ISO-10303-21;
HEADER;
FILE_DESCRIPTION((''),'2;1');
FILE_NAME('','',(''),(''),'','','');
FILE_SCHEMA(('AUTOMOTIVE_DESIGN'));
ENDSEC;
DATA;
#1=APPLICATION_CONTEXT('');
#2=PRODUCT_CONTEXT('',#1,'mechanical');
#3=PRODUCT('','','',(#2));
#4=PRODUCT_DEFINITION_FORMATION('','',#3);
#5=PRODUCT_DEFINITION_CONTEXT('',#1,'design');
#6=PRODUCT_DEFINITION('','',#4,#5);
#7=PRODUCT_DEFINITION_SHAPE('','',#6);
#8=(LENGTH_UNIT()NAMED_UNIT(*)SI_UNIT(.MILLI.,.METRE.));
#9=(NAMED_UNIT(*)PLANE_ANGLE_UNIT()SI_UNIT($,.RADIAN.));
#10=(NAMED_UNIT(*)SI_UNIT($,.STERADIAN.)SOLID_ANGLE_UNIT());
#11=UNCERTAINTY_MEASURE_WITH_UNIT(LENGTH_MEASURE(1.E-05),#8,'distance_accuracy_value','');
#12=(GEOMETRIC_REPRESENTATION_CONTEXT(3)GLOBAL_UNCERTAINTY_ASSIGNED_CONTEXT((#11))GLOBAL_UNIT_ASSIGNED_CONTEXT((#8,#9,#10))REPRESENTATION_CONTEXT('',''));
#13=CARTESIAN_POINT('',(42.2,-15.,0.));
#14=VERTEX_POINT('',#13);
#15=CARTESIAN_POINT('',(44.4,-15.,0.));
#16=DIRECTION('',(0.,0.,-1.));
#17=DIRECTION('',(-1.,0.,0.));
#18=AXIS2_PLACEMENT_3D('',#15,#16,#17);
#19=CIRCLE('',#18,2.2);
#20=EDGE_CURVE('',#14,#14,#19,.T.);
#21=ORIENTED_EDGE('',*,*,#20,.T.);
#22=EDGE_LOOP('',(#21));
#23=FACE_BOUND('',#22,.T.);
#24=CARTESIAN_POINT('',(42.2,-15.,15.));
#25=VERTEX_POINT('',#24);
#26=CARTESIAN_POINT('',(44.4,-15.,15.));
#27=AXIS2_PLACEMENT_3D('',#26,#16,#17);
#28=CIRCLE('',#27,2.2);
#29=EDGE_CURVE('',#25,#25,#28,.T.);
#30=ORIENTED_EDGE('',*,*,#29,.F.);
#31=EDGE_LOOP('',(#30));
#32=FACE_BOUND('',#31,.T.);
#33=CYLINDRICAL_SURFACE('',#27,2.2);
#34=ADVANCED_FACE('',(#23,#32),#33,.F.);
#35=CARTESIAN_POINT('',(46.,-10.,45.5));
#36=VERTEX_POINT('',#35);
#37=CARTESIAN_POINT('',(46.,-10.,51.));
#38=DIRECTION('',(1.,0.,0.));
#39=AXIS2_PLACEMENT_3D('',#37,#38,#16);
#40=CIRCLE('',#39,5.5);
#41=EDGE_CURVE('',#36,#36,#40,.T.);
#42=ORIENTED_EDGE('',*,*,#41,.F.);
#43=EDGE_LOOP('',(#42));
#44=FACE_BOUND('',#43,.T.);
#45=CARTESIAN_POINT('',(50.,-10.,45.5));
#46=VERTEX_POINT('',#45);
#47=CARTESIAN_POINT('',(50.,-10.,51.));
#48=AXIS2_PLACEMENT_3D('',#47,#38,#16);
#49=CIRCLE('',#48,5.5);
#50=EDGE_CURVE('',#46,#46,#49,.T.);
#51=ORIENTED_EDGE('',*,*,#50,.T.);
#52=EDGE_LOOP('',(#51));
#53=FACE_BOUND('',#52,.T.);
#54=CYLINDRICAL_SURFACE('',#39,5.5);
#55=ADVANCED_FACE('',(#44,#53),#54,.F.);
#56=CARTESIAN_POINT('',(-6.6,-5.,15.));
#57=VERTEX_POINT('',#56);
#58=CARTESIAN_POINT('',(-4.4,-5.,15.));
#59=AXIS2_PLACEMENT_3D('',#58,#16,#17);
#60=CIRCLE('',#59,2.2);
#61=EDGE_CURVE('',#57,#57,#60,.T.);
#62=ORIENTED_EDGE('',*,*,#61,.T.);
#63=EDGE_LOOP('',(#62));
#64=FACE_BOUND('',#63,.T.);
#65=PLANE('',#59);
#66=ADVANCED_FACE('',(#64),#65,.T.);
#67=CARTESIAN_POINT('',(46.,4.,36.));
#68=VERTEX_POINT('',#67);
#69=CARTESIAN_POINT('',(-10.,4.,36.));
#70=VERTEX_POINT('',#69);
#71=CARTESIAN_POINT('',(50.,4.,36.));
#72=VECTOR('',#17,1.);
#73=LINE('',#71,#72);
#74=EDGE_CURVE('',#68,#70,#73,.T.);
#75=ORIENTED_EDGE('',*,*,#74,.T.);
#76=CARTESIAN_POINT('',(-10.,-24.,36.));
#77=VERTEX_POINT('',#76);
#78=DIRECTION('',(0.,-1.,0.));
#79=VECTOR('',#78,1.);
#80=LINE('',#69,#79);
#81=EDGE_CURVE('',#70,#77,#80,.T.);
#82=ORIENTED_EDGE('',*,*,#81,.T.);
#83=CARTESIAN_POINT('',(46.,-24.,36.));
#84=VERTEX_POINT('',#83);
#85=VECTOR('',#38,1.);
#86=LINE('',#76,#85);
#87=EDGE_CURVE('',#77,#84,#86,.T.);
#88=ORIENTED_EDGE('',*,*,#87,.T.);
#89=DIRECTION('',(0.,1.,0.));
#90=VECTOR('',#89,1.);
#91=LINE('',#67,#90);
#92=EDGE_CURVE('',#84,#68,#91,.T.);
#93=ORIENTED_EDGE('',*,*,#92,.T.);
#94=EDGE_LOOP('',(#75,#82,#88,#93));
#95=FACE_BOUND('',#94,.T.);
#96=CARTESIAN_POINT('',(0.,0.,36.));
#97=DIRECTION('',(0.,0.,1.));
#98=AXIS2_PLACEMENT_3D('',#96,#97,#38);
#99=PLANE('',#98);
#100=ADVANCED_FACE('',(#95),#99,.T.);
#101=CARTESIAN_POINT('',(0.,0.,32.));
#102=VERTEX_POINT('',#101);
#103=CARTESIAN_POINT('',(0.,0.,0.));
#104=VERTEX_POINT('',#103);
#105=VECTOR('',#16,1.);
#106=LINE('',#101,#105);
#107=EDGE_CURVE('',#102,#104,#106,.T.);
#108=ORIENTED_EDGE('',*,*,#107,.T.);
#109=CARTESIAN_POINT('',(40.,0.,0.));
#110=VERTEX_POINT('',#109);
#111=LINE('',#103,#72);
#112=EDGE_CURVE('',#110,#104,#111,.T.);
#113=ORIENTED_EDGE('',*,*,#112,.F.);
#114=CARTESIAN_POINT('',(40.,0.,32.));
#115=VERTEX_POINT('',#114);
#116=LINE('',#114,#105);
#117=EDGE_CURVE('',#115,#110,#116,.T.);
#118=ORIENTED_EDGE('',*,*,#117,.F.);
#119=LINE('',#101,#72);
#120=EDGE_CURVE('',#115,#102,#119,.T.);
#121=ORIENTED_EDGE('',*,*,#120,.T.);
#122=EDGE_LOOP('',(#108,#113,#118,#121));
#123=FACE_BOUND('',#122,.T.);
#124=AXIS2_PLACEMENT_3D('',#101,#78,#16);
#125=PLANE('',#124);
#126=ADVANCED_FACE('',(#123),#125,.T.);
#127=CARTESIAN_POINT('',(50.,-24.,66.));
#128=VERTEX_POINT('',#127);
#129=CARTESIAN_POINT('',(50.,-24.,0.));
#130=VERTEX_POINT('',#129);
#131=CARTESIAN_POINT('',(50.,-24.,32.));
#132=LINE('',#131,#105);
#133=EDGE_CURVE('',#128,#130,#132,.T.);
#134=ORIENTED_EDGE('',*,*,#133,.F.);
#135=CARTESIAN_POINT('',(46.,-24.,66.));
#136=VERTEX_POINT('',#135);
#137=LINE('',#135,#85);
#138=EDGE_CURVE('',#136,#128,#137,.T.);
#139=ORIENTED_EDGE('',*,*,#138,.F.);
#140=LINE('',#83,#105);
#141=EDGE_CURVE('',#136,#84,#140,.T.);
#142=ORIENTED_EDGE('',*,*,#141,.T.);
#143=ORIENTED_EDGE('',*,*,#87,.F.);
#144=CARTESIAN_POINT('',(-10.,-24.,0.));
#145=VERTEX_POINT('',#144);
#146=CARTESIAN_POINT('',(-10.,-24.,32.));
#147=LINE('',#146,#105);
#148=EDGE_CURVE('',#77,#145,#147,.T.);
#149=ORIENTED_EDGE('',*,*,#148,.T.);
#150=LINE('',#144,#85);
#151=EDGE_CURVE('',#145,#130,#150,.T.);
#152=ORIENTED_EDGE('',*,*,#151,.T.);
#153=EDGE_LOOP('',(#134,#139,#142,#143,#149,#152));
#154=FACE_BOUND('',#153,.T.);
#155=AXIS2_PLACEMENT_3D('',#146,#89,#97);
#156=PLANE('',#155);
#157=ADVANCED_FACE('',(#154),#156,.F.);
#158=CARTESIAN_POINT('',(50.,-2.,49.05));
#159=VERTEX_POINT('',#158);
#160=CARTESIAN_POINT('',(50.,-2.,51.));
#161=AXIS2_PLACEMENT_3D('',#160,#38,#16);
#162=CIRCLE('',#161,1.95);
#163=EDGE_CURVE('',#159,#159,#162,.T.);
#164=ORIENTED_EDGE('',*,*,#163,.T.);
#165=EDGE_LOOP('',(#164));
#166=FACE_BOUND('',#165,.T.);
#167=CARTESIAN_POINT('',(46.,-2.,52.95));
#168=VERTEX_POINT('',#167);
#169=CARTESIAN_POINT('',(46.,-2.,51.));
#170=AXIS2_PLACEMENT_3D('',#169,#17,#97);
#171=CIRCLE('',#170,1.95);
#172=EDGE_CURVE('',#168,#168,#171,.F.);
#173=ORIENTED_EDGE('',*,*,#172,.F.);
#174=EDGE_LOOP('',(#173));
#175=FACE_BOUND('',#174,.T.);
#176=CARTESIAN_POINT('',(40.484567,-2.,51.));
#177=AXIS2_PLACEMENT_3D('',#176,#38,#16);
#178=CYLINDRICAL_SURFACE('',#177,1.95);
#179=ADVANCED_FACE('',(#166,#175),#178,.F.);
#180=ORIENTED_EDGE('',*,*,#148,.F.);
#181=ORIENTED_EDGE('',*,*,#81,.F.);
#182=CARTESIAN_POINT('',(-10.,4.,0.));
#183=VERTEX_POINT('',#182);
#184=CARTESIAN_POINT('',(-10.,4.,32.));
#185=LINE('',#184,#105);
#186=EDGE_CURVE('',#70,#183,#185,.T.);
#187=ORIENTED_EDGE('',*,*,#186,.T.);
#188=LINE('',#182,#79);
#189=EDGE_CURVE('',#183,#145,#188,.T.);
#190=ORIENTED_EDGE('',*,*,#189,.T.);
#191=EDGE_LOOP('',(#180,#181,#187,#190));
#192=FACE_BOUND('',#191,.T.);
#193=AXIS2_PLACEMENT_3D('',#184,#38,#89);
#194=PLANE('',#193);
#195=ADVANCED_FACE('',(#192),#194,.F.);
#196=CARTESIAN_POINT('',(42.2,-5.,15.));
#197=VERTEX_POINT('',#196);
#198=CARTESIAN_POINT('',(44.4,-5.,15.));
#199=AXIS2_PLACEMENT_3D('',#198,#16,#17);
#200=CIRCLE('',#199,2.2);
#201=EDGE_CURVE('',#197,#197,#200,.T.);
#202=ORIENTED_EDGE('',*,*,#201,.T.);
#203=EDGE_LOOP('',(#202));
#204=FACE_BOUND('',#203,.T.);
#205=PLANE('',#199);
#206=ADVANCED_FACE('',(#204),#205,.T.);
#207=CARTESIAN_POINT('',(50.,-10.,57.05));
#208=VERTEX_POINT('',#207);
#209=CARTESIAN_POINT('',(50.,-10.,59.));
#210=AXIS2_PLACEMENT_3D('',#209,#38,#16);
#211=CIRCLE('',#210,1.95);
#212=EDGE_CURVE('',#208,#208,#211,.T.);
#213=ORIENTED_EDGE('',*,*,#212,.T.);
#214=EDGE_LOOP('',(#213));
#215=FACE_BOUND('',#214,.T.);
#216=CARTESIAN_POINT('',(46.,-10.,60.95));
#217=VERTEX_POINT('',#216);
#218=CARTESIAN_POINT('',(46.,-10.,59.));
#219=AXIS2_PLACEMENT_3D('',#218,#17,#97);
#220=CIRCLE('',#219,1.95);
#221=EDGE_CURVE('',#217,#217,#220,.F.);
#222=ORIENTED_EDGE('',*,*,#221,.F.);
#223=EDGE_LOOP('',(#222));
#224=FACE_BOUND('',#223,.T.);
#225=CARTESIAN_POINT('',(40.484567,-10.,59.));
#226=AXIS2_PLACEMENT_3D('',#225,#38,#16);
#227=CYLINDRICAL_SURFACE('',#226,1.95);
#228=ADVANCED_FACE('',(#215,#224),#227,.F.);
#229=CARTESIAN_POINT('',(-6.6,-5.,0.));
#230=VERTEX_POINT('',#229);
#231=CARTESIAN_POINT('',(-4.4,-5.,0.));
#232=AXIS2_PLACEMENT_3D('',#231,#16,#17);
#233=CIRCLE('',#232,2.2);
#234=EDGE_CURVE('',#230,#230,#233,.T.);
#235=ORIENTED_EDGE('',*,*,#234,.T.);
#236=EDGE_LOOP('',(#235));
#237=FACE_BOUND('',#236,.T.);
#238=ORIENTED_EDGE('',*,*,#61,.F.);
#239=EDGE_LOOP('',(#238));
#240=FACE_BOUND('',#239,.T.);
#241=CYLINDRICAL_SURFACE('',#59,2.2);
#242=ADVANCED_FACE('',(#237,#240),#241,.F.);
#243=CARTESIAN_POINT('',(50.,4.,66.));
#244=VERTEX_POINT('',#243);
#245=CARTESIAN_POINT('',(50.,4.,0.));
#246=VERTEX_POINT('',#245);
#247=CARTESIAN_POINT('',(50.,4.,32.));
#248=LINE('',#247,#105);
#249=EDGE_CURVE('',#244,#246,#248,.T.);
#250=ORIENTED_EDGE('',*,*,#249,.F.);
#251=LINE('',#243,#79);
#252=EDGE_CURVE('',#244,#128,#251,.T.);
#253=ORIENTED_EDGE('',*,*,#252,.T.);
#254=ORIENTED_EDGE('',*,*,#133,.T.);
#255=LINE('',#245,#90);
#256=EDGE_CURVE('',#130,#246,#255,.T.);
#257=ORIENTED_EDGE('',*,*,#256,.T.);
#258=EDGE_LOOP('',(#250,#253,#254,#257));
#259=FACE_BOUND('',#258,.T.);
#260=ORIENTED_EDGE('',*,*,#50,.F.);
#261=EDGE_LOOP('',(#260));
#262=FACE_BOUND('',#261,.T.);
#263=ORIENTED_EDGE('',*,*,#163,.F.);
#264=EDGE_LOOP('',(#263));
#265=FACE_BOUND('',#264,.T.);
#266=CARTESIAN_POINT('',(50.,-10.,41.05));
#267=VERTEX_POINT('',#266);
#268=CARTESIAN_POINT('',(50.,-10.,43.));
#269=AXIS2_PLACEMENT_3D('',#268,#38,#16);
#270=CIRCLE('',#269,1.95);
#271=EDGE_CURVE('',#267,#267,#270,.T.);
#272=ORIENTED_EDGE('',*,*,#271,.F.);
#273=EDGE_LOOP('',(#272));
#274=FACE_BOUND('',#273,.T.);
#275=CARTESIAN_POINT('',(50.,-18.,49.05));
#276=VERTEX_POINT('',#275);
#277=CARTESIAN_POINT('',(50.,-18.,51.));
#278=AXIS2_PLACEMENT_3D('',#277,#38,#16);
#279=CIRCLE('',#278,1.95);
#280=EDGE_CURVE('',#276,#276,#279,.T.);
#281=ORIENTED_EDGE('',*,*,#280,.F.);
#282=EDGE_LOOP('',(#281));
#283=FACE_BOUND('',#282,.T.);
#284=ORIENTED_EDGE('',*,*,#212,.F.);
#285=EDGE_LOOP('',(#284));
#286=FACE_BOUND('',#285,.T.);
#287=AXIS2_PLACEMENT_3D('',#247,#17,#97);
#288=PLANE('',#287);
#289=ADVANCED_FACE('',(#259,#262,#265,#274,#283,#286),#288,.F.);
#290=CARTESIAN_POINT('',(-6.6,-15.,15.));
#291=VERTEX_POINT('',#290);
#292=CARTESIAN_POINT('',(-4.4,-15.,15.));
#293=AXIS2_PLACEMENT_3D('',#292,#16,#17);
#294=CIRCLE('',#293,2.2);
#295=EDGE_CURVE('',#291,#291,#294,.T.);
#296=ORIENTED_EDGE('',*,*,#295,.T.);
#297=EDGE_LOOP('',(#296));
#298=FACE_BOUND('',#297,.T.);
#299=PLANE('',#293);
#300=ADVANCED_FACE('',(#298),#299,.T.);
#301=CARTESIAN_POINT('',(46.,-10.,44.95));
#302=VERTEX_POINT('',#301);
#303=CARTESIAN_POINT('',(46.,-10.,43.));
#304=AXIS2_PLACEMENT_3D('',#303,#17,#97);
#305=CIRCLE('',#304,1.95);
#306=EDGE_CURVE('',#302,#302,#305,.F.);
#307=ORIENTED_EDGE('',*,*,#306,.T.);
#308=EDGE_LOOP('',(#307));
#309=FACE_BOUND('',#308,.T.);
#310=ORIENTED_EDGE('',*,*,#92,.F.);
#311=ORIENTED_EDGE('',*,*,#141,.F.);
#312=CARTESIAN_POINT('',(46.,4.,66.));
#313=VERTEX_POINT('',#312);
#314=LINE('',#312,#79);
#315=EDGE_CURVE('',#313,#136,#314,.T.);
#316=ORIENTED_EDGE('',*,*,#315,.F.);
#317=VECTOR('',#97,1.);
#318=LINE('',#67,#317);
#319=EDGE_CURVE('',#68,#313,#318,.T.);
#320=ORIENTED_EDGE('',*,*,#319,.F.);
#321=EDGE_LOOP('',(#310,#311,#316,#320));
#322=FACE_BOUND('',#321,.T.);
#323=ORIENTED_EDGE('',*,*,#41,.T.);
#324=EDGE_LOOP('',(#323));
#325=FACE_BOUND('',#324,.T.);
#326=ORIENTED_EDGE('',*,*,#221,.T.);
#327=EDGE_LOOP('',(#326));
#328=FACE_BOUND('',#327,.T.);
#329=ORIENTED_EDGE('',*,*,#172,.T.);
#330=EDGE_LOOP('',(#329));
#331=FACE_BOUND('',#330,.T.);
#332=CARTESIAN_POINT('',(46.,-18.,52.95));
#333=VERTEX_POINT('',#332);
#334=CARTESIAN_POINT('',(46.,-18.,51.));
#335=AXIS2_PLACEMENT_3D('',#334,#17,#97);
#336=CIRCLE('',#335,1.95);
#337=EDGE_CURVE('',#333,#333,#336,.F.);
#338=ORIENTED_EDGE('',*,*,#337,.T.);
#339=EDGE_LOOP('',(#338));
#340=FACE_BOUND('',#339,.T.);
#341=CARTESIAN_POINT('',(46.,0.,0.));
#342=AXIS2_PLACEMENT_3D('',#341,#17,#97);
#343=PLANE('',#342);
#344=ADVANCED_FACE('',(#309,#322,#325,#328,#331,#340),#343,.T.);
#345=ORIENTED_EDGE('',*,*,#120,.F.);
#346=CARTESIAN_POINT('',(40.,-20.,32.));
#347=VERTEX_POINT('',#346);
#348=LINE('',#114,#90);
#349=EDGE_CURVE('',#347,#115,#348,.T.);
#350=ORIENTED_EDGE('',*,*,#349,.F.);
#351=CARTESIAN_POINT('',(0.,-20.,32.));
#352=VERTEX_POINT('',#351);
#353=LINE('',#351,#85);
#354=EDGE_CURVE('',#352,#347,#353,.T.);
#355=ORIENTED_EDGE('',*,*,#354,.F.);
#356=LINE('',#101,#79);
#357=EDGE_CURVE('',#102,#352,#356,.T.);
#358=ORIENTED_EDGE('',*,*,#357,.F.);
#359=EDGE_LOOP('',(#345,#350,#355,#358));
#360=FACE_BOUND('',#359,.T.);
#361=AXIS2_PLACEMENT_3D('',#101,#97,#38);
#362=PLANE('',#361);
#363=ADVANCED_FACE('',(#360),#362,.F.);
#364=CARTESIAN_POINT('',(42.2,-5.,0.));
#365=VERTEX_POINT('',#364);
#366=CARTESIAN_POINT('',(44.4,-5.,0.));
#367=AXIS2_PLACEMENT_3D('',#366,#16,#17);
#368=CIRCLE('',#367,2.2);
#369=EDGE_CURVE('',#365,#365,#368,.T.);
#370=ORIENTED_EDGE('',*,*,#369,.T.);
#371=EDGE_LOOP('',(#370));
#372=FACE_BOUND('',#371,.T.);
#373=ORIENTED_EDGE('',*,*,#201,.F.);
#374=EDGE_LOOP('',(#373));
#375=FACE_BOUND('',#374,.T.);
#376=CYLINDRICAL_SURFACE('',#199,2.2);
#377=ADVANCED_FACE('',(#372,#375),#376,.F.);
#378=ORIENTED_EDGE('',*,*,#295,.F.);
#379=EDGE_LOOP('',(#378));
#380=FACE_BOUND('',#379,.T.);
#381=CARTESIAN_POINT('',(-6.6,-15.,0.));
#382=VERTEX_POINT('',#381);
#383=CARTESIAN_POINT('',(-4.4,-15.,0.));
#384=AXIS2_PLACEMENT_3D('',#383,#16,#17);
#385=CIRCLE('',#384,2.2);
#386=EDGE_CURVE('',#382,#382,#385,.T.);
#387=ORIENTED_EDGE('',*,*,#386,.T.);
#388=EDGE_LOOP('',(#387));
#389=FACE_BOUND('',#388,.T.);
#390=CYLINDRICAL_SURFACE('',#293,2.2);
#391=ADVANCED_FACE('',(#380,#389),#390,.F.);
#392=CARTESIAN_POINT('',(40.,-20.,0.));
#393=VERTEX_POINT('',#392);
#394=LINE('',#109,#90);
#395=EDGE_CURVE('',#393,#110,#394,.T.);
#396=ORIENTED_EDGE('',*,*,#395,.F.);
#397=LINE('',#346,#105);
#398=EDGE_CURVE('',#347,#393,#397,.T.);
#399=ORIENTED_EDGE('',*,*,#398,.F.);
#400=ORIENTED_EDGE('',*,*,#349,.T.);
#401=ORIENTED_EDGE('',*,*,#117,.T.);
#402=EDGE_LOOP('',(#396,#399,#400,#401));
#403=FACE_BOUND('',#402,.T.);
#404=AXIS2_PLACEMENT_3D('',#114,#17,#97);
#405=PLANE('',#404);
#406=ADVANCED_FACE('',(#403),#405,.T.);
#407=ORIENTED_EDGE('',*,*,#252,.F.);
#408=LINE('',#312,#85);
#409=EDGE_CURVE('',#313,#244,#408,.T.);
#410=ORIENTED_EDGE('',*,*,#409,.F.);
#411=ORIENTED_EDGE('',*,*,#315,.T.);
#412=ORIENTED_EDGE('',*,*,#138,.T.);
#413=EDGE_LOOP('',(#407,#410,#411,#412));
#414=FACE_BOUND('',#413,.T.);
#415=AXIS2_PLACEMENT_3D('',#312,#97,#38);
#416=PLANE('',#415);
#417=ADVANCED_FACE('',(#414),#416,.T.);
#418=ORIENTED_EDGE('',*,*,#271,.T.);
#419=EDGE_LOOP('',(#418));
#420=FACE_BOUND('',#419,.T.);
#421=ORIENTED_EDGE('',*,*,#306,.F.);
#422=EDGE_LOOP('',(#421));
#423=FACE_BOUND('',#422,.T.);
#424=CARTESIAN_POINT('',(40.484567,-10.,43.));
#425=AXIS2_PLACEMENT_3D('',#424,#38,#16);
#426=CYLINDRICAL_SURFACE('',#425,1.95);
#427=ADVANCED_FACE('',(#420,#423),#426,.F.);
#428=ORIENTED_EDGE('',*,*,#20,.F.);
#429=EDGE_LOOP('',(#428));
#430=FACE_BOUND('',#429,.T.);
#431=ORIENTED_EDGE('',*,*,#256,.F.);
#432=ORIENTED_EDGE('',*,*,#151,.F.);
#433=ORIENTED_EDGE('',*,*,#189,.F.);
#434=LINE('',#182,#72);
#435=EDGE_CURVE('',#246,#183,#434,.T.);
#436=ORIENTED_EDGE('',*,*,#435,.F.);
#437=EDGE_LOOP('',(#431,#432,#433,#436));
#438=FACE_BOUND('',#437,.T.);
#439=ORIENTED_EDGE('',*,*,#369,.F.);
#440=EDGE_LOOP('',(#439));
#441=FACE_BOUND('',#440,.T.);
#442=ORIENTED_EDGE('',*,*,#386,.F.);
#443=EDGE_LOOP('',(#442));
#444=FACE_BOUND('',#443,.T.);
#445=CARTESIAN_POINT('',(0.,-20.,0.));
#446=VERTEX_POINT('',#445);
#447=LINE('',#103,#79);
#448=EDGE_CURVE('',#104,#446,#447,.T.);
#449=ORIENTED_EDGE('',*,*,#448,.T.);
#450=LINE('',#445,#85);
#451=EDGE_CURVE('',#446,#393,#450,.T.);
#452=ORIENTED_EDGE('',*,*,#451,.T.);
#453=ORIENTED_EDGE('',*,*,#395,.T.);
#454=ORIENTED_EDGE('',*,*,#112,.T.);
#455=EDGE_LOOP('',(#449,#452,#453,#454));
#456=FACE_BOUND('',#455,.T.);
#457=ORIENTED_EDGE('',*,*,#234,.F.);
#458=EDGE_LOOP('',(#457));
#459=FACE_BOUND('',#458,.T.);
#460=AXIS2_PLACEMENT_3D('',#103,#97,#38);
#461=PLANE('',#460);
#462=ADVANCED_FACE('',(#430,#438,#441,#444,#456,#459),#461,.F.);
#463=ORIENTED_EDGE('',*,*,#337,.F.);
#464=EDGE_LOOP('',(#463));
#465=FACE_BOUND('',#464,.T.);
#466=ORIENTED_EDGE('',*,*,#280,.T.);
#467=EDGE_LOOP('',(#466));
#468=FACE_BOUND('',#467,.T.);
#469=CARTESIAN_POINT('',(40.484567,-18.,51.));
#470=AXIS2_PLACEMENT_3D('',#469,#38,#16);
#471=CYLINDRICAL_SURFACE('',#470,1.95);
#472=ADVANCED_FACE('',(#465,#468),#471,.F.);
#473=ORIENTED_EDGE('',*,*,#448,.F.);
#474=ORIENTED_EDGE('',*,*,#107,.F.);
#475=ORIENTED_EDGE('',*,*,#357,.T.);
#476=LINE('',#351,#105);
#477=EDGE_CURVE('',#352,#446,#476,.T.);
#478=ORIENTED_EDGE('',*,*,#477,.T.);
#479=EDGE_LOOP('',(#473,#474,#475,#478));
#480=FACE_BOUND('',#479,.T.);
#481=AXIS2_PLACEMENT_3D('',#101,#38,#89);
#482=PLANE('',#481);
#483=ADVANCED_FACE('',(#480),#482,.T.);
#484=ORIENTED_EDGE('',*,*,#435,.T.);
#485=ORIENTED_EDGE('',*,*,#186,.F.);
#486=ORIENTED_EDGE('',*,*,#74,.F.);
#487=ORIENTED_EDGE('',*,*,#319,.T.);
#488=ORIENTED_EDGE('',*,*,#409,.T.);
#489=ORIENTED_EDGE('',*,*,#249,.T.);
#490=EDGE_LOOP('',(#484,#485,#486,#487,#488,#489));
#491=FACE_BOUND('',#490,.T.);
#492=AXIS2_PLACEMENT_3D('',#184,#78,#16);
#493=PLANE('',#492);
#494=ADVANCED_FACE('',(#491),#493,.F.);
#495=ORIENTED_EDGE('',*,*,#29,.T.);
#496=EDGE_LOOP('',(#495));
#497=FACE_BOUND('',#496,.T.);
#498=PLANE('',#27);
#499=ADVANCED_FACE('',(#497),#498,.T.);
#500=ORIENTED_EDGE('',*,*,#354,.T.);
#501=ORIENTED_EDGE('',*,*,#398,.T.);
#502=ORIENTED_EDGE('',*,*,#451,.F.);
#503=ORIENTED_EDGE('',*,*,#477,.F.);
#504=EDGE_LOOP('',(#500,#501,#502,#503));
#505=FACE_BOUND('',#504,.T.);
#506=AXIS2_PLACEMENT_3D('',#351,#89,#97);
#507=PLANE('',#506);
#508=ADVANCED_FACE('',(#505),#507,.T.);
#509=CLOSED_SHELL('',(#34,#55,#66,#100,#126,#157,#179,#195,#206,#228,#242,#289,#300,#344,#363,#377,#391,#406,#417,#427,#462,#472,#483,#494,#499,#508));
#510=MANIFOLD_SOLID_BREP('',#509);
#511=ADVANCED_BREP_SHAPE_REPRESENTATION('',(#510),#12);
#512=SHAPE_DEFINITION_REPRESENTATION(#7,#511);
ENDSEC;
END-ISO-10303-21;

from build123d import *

# Parameters (mm, degrees)
SKETCH1_W           = 60
SKETCH1_H           = 28
SKETCH1_W_2         = 40
SKETCH1_H_2         = 20
BOSS_EXTRUDE1_DEPTH = 32
SKETCH2_W           = 60
SKETCH2_H           = 28
BOSS_EXTRUDE2_DEPTH = 4
SKETCH3_W           = 30
SKETCH3_H           = 28
SKETCH3_R           = 5.5
BOSS_EXTRUDE3_DEPTH = 4
SKETCH4_R           = 1.95
CUT_EXTRUDE1_DEPTH  = 4
SKETCH5_R           = 2.2
CUT_EXTRUDE2_DEPTH  = 15


with BuildPart() as part:
    # Sketch1 → Boss-Extrude1 (new body)
    with BuildSketch(Plane.XY):
        with Locations((20, -10)):
            Rectangle(SKETCH1_W, SKETCH1_H)
        with Locations((20, -10)):
            Rectangle(SKETCH1_W_2, SKETCH1_H_2, mode=Mode.SUBTRACT)
    extrude(amount=BOSS_EXTRUDE1_DEPTH)

    # Sketch2 → Boss-Extrude2 (add)
    with BuildSketch(Plane.XY.offset(32)):
        with Locations((20, -10)):
            Rectangle(SKETCH2_W, SKETCH2_H)
    extrude(amount=BOSS_EXTRUDE2_DEPTH)

    # Sketch3 → Boss-Extrude3 (add)
    with BuildSketch(Plane(origin=(50, 0, 0), x_dir=(0, 0, -1), z_dir=(1, 0, 0))):
        with Locations((-51, -10)):
            Rectangle(SKETCH3_W, SKETCH3_H)
        with Locations((-51, -10)):
            Circle(SKETCH3_R, mode=Mode.SUBTRACT)
    extrude(amount=-BOSS_EXTRUDE3_DEPTH)

    # Sketch4 → Cut-Extrude1 (cut)
    with BuildSketch(Plane(origin=(50, 0, 0), x_dir=(0, 0, -1), z_dir=(1, 0, 0))):
        with Locations((-51, -18)):
            Circle(SKETCH4_R)
        with Locations((-59, -10)):
            Circle(SKETCH4_R)
        with Locations((-43, -10)):
            Circle(SKETCH4_R)
        with Locations((-51, -2)):
            Circle(SKETCH4_R)
    extrude(amount=-CUT_EXTRUDE1_DEPTH, mode=Mode.SUBTRACT)

    # Sketch5 → Cut-Extrude2 (cut)
    with BuildSketch(Plane(origin=(0, 0, 0), x_dir=(-1, 0, 0), z_dir=(0, 0, -1))):
        with Locations((-44.4, -5)):
            Circle(SKETCH5_R)
        with Locations((-44.4, -15)):
            Circle(SKETCH5_R)
        with Locations((4.4, -5)):
            Circle(SKETCH5_R)
        with Locations((4.4, -15)):
            Circle(SKETCH5_R)
    extrude(amount=-CUT_EXTRUDE2_DEPTH, mode=Mode.SUBTRACT)


solid = part.part
